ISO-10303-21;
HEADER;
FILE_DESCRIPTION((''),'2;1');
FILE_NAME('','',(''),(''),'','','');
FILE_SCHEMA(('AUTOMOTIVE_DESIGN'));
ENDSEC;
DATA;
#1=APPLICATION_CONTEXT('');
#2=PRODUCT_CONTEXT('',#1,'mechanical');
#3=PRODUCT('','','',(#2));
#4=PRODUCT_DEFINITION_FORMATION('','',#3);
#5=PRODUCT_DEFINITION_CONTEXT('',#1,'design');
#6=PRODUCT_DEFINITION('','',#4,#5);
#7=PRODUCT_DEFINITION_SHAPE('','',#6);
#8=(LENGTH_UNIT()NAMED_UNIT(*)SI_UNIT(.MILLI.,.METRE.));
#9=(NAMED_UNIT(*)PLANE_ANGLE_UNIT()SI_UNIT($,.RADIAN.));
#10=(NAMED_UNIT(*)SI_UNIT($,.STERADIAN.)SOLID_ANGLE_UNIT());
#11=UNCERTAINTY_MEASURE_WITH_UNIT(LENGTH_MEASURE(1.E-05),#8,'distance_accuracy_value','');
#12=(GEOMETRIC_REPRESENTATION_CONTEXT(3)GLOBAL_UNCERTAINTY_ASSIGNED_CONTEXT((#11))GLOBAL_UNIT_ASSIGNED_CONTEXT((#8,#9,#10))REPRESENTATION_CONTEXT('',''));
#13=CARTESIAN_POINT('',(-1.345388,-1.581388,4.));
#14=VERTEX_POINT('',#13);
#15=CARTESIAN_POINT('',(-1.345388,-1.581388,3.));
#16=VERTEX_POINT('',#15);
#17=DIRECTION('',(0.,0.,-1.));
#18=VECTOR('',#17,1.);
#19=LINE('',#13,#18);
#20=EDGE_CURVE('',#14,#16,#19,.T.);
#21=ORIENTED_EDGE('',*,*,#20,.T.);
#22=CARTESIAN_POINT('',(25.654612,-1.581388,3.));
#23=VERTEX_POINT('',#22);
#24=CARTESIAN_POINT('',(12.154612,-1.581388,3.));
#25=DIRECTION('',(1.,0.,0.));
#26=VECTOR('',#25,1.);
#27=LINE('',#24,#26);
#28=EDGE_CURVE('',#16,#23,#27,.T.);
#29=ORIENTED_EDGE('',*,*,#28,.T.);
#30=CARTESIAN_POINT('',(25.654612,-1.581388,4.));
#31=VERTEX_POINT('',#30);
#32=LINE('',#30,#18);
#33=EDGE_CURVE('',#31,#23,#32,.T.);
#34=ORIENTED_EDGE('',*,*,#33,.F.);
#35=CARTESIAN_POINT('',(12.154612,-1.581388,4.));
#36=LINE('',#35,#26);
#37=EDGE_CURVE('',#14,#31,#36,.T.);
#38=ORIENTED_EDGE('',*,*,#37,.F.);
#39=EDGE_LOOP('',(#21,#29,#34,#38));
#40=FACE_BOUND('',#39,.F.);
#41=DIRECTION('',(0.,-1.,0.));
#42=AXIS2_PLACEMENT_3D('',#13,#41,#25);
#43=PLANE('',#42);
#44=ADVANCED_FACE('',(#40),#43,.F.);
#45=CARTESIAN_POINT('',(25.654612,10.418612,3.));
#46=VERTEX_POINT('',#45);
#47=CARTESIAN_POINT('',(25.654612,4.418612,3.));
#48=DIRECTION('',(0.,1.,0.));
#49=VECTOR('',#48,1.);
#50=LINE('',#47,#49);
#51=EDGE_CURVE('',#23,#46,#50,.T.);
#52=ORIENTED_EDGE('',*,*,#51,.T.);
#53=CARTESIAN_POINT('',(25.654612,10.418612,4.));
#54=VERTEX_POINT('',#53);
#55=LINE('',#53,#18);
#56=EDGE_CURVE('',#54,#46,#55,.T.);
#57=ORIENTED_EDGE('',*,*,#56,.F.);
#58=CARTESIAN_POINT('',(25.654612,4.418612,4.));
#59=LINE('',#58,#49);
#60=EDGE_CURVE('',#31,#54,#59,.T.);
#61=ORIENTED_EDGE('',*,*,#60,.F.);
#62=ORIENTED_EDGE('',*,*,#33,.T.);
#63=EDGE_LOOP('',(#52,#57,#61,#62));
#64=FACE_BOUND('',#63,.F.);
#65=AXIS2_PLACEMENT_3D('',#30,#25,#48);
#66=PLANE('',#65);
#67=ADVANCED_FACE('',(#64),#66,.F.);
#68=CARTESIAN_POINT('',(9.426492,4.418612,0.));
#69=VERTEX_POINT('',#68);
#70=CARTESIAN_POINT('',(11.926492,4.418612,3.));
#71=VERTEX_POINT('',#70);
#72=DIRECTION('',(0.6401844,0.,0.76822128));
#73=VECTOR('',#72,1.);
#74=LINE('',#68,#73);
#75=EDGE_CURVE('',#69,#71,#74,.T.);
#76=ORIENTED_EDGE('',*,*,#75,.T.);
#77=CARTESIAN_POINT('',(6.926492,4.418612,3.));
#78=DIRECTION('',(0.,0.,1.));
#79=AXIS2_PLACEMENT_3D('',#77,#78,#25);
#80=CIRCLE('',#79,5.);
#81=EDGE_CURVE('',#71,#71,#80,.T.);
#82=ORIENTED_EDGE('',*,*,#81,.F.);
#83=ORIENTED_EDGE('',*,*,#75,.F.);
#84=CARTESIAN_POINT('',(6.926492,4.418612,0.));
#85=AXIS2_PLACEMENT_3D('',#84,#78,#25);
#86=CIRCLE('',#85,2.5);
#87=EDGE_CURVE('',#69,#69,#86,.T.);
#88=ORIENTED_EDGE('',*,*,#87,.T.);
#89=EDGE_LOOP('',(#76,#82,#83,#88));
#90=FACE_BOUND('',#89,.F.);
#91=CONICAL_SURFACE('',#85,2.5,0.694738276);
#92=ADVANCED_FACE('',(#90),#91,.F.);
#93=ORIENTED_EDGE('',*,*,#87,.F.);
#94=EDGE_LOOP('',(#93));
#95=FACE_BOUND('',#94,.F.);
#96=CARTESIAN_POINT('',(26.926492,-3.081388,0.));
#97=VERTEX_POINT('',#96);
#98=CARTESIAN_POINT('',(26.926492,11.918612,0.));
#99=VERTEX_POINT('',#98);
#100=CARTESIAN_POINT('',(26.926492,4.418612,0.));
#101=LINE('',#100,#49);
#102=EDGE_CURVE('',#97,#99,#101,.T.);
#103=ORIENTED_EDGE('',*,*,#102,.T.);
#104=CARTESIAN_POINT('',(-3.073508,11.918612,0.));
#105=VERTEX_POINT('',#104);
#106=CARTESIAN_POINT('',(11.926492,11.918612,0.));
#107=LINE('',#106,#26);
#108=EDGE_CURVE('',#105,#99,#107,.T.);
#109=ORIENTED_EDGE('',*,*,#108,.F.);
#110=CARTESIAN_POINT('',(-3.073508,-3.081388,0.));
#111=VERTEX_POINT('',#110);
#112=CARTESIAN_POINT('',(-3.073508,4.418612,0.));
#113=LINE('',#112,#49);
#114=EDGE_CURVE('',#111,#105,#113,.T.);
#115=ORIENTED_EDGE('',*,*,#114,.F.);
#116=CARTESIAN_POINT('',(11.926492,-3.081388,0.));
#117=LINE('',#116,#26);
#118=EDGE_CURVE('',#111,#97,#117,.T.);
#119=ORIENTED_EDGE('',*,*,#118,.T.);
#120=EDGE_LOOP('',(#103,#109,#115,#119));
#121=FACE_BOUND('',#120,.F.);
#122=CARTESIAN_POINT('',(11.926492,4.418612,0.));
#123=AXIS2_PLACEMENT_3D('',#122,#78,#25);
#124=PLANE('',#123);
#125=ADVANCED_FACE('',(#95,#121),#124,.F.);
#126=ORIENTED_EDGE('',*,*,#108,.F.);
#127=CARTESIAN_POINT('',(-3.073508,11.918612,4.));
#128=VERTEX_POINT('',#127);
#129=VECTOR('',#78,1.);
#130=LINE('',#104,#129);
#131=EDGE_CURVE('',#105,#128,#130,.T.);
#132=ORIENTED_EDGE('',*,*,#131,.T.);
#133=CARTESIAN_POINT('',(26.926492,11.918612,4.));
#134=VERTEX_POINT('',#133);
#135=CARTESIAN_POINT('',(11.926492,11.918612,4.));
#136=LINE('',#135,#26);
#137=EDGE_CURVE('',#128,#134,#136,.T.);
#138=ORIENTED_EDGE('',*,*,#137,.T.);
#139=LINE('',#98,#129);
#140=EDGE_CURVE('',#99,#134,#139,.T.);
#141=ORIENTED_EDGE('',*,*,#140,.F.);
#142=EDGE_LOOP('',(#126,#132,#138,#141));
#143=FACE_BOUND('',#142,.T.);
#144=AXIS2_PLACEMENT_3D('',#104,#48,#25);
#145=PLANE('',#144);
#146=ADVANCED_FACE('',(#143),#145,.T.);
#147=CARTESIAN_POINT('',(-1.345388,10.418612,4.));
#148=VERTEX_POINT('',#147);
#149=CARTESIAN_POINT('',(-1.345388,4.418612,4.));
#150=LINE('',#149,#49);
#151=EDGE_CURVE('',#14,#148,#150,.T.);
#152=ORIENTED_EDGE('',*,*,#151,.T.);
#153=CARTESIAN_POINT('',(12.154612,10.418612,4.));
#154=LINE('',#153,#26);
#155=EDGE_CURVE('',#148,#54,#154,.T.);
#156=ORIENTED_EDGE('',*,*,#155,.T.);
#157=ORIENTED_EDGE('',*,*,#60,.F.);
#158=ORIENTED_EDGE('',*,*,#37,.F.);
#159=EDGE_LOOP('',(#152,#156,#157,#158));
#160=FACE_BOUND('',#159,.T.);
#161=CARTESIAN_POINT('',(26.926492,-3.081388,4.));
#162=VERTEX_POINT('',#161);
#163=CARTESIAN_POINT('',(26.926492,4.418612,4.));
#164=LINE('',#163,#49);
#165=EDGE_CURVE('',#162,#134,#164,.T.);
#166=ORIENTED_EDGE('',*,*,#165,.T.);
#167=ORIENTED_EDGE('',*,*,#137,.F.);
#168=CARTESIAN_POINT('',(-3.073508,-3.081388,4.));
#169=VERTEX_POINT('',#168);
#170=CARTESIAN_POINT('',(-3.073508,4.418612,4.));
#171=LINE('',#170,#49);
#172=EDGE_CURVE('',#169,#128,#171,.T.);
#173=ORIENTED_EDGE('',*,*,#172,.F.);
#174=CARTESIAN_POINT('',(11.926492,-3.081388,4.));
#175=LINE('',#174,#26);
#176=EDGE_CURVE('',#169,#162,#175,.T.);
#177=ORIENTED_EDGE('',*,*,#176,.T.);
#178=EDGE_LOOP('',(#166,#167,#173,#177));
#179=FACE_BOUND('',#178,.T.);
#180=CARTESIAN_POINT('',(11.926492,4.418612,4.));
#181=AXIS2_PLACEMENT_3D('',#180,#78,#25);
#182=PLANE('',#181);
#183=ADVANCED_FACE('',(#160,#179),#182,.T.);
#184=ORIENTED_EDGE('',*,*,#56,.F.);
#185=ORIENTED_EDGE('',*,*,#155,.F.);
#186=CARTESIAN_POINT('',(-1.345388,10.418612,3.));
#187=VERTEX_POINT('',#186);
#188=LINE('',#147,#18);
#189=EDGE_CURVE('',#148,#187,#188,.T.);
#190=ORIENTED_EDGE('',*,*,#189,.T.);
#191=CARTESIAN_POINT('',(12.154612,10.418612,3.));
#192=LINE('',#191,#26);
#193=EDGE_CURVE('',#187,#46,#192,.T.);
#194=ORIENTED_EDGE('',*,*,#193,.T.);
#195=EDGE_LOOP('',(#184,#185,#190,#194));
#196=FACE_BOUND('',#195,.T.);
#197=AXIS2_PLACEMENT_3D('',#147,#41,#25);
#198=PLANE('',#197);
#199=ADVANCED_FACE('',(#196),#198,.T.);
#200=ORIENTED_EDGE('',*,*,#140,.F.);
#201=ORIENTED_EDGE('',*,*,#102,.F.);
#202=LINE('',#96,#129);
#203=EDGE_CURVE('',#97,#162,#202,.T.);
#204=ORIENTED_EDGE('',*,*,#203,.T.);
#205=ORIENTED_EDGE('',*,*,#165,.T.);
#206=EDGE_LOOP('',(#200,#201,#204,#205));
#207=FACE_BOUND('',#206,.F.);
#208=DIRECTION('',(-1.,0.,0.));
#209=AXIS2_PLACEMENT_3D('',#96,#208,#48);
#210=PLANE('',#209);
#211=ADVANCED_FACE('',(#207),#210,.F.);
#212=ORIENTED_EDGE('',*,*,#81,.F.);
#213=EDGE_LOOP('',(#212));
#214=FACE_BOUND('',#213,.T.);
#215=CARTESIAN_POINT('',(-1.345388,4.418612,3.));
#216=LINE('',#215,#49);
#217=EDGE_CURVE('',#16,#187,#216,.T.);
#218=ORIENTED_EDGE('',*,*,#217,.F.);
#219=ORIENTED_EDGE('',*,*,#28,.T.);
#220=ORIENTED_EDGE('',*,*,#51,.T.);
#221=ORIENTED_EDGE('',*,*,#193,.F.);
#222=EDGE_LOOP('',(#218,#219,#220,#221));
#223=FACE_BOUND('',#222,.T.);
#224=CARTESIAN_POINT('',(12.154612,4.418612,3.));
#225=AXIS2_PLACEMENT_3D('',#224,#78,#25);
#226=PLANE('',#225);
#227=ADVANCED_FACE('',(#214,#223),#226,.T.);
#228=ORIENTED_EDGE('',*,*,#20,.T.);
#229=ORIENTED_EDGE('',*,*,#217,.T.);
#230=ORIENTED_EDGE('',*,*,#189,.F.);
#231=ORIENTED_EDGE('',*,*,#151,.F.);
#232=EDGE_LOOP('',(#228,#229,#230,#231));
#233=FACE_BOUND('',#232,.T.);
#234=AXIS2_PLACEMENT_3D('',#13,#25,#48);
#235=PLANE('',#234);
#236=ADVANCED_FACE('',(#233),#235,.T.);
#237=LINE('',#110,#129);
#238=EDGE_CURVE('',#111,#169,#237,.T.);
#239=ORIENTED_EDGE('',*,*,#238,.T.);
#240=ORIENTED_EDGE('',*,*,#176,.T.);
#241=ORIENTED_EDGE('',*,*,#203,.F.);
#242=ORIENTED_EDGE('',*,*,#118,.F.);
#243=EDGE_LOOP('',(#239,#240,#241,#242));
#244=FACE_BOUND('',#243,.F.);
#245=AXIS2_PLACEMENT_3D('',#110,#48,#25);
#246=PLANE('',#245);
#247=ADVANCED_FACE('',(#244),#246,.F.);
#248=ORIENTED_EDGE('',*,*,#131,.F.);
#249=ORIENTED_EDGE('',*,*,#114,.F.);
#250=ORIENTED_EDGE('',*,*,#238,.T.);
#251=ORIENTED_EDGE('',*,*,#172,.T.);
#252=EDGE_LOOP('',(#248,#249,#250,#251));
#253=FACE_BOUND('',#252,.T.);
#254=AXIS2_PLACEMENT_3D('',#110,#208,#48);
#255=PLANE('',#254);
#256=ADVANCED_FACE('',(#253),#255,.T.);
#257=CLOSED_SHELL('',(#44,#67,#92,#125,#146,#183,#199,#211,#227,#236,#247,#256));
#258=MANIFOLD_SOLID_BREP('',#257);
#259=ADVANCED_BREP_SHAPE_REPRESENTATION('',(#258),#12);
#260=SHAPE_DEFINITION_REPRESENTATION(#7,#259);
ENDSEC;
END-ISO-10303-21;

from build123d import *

# Parameters (mm, degrees)
RECTANGLE001_W   = 27
RECTANGLE001_H   = 12
EXTRUDE002_DEPTH = 1
CIRCLE_R         = 2.5
EXTRUDE001_DEPTH = 10
RECTANGLE_W      = 30
RECTANGLE_H      = 15
EXTRUDE_DEPTH    = 4


with BuildPart() as extrude002:
    # Rectangle001 → Extrude002 (new body)
    with BuildSketch(Plane(origin=(-1.345388, -1.581388, 4), x_dir=(1, 0, 0), z_dir=(0, 0, 1))):
        with Locations((13.5, 6)):
            Rectangle(RECTANGLE001_W, RECTANGLE001_H)
    extrude(amount=-EXTRUDE002_DEPTH)


with BuildPart() as cone:
    # Cone → Cone (revolve)
    with BuildSketch(Plane(origin=(6.926492, 4.418612, 0), x_dir=(1, 0, 0), z_dir=(0, -1, 0))):
        Polygon((0, 0), (2.5, 0), (5, 3), (0, 3), align=None)
    revolve(axis=Axis((6.926492, 4.418612, 0), (0, 0, 1)))


with BuildPart() as extrude001:
    # Circle → Extrude001 (new body)
    with BuildSketch(Plane(origin=(6.926492, 4.418612, 0), x_dir=(1, 0, 0), z_dir=(0, 0, 1))):
        Circle(CIRCLE_R)
    extrude(amount=EXTRUDE001_DEPTH)


with BuildPart() as cut002:
    # Rectangle → Extrude (new body)
    with BuildSketch(Plane(origin=(-3.073508, -3.081388, 0), x_dir=(1, 0, 0), z_dir=(0, 0, 1))):
        with Locations((15, 7.5)):
            Rectangle(RECTANGLE_W, RECTANGLE_H)
    extrude(amount=EXTRUDE_DEPTH)

    # Cut: cut Extrude001
    add(extrude001.part, mode=Mode.SUBTRACT)

    # Cut001: cut Cone
    add(cone.part, mode=Mode.SUBTRACT)

    # Cut002: cut Extrude002
    add(extrude002.part, mode=Mode.SUBTRACT)


solid = cut002.part
